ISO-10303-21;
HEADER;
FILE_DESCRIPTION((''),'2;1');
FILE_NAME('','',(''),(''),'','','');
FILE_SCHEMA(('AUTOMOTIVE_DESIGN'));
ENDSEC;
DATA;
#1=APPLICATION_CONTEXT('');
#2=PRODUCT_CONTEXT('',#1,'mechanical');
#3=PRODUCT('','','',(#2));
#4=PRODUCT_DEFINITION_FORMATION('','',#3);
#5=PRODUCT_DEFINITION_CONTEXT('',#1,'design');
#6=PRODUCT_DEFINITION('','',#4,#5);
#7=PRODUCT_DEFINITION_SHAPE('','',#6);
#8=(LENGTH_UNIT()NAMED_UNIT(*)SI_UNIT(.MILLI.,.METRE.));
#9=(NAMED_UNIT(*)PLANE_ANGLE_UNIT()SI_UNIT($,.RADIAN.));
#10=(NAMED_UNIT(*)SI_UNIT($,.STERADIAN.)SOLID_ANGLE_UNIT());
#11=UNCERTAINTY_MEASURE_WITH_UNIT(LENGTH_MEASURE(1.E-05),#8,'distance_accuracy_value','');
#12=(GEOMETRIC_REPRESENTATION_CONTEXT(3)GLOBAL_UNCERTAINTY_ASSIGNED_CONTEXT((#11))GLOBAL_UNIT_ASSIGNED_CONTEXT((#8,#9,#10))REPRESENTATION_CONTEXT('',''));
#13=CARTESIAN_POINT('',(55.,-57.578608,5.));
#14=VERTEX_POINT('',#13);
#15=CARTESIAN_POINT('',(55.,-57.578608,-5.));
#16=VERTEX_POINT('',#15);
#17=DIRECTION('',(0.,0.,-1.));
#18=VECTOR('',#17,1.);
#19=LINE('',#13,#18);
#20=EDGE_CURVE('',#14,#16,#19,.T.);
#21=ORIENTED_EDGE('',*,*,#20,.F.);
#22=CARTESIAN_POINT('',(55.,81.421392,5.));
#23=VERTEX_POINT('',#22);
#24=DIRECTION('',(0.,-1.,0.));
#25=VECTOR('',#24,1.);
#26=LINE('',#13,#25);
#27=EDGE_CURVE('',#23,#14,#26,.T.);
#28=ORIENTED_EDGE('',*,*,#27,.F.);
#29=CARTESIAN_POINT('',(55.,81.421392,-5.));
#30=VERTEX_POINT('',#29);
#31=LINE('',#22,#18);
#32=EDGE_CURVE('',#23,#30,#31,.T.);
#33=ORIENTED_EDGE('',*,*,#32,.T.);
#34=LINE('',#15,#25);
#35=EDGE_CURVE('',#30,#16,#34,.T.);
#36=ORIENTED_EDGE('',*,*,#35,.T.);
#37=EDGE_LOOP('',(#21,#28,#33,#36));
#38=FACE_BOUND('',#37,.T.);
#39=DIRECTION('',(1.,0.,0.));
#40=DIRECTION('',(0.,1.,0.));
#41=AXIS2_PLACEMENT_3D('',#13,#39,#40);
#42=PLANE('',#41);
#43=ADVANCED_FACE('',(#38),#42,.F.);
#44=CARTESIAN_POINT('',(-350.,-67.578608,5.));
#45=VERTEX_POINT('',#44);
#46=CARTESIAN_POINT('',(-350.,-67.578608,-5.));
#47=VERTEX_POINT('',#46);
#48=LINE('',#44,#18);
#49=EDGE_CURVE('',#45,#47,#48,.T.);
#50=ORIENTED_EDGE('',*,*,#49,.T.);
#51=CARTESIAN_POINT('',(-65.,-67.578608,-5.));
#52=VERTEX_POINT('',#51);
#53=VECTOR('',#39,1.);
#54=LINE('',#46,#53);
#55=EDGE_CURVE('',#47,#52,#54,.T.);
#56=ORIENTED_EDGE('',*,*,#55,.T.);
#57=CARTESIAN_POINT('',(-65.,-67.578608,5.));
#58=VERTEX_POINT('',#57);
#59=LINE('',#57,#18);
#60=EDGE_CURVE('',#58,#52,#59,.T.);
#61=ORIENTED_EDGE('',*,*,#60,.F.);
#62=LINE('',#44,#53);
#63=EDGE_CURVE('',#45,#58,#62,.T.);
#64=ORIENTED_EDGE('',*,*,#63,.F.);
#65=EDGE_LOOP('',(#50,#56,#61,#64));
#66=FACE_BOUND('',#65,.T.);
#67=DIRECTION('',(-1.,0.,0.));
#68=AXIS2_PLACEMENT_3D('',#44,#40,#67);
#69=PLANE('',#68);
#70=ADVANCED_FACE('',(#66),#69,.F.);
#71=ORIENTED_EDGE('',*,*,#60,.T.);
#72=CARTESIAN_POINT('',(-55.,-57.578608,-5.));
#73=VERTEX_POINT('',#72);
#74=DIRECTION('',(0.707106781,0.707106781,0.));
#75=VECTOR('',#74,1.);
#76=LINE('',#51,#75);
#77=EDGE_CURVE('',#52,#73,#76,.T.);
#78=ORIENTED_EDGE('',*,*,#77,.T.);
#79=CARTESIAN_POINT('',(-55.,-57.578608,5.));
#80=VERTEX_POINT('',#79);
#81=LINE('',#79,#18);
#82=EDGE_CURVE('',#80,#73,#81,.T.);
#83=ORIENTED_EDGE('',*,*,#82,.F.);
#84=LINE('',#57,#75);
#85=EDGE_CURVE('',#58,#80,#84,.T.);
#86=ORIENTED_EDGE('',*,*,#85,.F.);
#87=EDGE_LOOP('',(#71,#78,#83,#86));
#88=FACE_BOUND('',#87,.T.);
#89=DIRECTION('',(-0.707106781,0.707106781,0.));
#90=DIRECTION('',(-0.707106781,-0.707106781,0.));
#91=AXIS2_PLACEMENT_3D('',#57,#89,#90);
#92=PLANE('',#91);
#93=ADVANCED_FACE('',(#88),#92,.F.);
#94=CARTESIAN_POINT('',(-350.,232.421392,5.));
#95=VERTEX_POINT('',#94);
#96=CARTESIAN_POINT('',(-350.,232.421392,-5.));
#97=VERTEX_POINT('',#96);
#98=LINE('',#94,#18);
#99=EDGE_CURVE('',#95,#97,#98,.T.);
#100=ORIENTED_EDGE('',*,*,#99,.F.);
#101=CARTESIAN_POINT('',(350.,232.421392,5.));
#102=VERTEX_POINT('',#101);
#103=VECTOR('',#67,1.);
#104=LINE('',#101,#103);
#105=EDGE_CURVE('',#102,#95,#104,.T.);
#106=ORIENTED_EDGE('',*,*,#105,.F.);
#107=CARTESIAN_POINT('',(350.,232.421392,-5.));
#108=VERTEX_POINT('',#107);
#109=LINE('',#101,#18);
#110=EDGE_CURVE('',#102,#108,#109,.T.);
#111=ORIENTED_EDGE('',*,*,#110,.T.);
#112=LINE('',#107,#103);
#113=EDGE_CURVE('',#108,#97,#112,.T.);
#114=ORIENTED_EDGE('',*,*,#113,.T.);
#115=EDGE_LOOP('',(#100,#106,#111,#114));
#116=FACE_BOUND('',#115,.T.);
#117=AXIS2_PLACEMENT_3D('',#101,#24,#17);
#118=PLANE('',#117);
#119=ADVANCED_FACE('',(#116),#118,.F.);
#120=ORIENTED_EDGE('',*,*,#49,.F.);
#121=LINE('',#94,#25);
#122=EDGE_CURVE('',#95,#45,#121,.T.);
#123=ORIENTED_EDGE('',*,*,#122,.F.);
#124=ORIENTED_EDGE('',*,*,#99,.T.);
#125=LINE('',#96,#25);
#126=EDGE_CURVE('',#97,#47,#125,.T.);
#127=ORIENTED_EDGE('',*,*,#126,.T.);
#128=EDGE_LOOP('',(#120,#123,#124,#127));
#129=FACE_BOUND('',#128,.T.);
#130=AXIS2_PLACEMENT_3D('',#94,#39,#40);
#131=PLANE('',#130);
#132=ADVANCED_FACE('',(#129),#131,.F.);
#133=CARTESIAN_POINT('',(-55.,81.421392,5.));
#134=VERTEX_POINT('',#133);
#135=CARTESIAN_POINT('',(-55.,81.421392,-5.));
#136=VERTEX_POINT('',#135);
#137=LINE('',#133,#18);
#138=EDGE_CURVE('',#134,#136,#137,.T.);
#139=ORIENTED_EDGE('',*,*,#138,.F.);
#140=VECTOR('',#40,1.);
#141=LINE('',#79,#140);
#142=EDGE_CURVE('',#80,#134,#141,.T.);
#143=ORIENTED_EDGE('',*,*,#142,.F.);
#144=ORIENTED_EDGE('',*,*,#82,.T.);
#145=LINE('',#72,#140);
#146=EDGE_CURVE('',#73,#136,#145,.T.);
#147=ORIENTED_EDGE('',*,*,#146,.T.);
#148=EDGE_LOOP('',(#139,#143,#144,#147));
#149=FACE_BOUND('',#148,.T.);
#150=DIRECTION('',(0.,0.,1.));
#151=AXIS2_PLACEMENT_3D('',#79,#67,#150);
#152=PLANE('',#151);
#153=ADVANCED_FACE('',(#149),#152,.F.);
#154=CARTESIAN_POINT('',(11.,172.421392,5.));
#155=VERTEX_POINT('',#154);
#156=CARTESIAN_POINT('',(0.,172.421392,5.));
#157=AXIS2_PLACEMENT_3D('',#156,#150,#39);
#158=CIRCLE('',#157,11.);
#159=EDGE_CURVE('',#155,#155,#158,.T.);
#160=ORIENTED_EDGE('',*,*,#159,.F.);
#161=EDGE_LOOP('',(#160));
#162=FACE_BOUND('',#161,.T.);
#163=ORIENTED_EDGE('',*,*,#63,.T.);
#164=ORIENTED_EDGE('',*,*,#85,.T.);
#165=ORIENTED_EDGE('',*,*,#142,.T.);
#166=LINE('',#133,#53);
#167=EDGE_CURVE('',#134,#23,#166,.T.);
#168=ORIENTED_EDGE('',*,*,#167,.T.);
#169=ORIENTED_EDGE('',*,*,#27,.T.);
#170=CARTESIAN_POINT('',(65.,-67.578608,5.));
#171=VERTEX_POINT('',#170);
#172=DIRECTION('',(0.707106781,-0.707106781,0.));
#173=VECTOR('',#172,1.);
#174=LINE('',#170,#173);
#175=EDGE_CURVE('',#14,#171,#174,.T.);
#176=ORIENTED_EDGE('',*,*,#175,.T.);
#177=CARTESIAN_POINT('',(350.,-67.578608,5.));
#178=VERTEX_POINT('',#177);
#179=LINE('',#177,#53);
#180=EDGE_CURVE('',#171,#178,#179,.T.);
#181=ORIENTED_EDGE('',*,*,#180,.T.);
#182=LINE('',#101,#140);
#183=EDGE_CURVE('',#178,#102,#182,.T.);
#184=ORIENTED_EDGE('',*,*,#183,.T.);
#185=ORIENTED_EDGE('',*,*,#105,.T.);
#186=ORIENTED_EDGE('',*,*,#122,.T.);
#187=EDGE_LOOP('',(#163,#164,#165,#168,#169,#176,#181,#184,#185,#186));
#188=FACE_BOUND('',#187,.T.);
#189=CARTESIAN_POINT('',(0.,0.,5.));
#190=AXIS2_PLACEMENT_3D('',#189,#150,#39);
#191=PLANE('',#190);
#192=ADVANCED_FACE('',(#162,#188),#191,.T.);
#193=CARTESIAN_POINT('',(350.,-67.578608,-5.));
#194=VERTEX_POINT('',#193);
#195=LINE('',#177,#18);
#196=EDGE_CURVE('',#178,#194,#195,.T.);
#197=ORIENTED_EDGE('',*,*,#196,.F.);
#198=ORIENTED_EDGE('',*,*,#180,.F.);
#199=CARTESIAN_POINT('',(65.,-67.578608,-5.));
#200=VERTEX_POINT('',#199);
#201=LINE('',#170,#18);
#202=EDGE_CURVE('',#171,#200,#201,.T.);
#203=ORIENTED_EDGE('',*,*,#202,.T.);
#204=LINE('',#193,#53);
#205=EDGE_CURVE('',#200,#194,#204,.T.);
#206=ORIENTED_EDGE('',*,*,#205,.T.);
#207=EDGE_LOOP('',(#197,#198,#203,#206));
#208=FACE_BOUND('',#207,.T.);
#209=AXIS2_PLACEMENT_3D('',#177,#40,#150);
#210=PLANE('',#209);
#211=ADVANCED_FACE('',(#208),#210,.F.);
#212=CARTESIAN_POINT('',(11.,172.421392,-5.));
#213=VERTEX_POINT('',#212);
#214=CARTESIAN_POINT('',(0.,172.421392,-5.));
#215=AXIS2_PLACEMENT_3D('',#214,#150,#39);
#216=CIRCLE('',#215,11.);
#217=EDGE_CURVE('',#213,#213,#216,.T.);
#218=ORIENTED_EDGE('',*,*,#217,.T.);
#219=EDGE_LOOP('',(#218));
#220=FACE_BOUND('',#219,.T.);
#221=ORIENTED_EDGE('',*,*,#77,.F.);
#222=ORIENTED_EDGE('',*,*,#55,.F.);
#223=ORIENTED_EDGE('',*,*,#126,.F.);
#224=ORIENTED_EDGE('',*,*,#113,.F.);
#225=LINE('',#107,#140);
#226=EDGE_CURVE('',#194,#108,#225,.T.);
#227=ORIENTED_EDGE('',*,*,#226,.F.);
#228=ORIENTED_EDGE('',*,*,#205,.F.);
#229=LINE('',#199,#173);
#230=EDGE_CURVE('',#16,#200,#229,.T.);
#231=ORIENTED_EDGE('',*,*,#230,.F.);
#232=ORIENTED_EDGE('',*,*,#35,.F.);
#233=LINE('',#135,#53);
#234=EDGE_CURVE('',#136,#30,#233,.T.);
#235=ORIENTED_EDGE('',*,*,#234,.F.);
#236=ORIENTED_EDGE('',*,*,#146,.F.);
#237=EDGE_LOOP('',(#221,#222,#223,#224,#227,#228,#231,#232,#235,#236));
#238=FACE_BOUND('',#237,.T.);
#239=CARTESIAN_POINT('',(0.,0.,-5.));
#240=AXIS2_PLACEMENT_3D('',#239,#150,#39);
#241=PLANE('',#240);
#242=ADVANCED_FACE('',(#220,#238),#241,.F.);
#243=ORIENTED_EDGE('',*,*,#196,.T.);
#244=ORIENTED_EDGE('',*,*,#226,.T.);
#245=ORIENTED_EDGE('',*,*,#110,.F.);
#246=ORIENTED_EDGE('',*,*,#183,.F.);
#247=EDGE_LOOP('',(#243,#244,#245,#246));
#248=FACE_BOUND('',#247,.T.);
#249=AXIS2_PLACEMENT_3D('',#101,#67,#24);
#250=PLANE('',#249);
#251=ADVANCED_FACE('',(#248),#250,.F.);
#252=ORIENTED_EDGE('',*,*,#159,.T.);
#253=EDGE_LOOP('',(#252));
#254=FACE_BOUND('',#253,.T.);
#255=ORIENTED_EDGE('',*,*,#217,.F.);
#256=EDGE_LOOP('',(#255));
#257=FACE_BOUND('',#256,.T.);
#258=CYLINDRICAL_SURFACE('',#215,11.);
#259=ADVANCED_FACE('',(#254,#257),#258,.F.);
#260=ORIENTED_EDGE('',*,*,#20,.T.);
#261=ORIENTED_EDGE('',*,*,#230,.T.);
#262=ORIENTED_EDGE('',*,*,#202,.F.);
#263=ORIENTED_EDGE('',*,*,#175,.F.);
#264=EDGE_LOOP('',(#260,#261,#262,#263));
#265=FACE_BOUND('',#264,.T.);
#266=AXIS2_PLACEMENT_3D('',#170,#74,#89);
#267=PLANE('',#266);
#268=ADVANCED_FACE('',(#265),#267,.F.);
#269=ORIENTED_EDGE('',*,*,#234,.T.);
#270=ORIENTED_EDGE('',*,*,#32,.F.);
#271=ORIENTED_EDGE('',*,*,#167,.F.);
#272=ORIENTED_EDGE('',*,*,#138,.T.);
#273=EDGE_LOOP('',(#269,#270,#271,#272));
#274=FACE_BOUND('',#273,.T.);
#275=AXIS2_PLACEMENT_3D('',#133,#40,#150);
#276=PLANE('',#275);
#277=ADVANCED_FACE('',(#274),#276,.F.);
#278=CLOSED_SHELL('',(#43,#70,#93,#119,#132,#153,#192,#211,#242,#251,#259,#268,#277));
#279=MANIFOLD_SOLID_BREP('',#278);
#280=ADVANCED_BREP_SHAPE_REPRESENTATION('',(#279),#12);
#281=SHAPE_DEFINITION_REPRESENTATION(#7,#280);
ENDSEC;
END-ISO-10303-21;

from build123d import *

# Parameters (mm, degrees)
BOSS_EXTRUDE1_DEPTH     = 5
SKETCH2_R               = 11
CUT_EXTRUDE1_DEPTH      = 6
CUT_EXTRUDE1_DEPTH_BACK = 6


with BuildPart() as part:
    # Sketch1 → Boss-Extrude1 (new body, symmetric)
    with BuildSketch(Plane.XY):
        Polygon((350, 232.421392473), (-350, 232.421392473), (-350, -67.578607527), (-65, -67.578607527), (-55, -57.578607527), (-55, 81.421392473), (55, 81.421392473), (55, -57.578607527), (65, -67.578607527), (350, -67.578607527), align=None)
    extrude(amount=BOSS_EXTRUDE1_DEPTH, both=True)

    # Sketch2 → Cut-Extrude1 (cut, two sides)
    with BuildSketch(Plane.XY) as cut_extrude1_sk:
        with Locations((0, 172.421392473)):
            Circle(SKETCH2_R)
    extrude(amount=CUT_EXTRUDE1_DEPTH, mode=Mode.SUBTRACT)
    extrude(cut_extrude1_sk.sketch, amount=-CUT_EXTRUDE1_DEPTH_BACK, mode=Mode.SUBTRACT)


solid = part.part
